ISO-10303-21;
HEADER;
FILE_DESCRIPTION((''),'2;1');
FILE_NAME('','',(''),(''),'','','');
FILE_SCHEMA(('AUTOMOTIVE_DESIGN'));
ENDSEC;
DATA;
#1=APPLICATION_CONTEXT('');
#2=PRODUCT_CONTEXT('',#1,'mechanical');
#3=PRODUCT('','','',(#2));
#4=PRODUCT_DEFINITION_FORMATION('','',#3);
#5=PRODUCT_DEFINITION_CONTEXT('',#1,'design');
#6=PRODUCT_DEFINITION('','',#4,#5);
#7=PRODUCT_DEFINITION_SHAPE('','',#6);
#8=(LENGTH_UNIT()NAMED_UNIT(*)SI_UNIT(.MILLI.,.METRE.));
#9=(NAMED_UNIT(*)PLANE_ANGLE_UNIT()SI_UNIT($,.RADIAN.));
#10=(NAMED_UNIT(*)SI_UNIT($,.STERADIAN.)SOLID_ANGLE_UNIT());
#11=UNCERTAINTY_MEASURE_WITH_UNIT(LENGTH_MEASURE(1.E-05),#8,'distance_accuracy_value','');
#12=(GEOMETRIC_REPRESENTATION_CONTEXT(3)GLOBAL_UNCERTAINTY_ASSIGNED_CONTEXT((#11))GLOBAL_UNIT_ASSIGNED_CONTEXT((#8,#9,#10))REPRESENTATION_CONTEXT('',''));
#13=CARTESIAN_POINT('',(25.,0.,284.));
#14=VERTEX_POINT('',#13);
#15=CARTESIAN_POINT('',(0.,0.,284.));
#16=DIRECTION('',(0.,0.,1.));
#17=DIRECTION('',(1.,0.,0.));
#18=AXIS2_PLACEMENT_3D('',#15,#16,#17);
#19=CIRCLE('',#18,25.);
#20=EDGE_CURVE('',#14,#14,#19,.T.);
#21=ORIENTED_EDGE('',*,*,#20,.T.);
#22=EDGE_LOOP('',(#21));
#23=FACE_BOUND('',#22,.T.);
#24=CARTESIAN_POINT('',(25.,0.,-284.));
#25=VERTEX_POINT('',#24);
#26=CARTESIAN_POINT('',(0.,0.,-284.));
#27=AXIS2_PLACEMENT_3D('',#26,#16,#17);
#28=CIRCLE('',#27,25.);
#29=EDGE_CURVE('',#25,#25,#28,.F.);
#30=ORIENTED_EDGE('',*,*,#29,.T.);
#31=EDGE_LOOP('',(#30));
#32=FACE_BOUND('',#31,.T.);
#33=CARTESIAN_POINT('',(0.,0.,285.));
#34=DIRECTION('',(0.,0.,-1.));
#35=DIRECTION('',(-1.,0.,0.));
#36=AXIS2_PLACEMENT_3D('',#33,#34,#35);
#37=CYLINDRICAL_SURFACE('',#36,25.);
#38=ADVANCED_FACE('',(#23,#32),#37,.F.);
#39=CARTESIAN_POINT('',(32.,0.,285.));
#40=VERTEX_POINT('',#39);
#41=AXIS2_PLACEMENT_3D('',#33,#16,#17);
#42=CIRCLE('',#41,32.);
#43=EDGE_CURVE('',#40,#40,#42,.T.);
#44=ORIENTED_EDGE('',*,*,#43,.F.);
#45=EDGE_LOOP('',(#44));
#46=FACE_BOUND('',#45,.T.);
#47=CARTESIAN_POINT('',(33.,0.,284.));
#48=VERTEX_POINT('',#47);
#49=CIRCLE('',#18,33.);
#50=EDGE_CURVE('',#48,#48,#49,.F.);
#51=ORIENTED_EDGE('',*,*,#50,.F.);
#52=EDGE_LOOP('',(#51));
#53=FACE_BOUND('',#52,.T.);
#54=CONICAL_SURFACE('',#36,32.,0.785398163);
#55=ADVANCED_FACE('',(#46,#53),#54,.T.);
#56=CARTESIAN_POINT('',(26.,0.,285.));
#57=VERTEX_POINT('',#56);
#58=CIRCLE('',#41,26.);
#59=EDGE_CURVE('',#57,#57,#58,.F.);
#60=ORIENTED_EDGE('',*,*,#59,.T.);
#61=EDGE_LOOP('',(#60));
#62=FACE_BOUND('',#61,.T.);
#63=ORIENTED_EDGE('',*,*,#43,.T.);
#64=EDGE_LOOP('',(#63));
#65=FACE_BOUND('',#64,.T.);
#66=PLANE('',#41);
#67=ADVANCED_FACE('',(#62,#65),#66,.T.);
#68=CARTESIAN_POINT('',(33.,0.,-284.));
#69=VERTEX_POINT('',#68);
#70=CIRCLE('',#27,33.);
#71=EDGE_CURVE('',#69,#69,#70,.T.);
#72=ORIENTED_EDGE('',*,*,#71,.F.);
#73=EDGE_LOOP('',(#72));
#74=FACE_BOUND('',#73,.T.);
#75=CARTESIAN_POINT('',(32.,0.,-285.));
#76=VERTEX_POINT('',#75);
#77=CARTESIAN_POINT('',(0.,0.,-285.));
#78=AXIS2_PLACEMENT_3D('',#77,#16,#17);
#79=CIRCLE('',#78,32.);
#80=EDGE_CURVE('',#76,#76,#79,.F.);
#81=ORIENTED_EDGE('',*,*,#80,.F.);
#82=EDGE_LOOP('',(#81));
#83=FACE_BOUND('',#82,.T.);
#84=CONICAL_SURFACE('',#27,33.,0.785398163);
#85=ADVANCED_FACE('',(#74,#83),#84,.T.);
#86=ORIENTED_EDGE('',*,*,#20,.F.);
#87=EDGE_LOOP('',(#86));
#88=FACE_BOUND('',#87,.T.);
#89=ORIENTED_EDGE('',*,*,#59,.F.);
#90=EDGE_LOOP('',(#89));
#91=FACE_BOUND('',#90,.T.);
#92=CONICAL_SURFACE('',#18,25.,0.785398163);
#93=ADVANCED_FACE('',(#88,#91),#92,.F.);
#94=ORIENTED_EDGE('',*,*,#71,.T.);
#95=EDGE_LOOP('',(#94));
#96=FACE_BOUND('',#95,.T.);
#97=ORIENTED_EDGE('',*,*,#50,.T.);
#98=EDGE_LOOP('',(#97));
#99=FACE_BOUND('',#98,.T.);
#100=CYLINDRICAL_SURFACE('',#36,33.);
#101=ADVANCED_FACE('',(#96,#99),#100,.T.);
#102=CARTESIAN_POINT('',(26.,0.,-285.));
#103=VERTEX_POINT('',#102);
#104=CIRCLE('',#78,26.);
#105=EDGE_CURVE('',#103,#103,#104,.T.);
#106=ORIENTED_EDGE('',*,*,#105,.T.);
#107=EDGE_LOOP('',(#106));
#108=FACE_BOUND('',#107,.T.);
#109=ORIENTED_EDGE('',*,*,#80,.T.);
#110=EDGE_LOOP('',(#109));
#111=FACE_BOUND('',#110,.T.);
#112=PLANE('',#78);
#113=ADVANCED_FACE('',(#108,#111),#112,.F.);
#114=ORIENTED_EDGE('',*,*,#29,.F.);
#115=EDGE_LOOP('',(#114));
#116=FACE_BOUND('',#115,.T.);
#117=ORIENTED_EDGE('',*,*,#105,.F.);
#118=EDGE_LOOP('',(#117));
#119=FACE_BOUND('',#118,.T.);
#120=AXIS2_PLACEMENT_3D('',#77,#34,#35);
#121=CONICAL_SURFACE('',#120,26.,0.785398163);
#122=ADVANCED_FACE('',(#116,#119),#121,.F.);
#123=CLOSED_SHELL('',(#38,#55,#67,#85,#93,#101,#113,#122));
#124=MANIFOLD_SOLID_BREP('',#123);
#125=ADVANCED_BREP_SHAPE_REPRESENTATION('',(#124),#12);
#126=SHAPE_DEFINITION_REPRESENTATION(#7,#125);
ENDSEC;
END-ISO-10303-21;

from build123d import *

# Parameters (mm, degrees)
SKETCH_1_R      = 33
SKETCH_1_R_2    = 25
EXTRUDE_1_DEPTH = 285
CHAMFER_1_SIZE  = 1


with BuildPart() as part:
    # 草图1 → 凸台-拉伸1 (new, symmetric)
    with BuildSketch(Plane.XY):
        Circle(SKETCH_1_R)
        Circle(SKETCH_1_R_2, mode=Mode.SUBTRACT)
    extrude(amount=EXTRUDE_1_DEPTH, both=True)

    # 倒角1
    chamfer_1_edges = [part.edges().sort_by_distance(p)[0] for p in [
        (-33, 0, -285),
        (-33, 0, 285),
        (-25, 0, -285),
        (-25, 0, 285),
    ]]
    chamfer(chamfer_1_edges, length=CHAMFER_1_SIZE)


solid = part.part
